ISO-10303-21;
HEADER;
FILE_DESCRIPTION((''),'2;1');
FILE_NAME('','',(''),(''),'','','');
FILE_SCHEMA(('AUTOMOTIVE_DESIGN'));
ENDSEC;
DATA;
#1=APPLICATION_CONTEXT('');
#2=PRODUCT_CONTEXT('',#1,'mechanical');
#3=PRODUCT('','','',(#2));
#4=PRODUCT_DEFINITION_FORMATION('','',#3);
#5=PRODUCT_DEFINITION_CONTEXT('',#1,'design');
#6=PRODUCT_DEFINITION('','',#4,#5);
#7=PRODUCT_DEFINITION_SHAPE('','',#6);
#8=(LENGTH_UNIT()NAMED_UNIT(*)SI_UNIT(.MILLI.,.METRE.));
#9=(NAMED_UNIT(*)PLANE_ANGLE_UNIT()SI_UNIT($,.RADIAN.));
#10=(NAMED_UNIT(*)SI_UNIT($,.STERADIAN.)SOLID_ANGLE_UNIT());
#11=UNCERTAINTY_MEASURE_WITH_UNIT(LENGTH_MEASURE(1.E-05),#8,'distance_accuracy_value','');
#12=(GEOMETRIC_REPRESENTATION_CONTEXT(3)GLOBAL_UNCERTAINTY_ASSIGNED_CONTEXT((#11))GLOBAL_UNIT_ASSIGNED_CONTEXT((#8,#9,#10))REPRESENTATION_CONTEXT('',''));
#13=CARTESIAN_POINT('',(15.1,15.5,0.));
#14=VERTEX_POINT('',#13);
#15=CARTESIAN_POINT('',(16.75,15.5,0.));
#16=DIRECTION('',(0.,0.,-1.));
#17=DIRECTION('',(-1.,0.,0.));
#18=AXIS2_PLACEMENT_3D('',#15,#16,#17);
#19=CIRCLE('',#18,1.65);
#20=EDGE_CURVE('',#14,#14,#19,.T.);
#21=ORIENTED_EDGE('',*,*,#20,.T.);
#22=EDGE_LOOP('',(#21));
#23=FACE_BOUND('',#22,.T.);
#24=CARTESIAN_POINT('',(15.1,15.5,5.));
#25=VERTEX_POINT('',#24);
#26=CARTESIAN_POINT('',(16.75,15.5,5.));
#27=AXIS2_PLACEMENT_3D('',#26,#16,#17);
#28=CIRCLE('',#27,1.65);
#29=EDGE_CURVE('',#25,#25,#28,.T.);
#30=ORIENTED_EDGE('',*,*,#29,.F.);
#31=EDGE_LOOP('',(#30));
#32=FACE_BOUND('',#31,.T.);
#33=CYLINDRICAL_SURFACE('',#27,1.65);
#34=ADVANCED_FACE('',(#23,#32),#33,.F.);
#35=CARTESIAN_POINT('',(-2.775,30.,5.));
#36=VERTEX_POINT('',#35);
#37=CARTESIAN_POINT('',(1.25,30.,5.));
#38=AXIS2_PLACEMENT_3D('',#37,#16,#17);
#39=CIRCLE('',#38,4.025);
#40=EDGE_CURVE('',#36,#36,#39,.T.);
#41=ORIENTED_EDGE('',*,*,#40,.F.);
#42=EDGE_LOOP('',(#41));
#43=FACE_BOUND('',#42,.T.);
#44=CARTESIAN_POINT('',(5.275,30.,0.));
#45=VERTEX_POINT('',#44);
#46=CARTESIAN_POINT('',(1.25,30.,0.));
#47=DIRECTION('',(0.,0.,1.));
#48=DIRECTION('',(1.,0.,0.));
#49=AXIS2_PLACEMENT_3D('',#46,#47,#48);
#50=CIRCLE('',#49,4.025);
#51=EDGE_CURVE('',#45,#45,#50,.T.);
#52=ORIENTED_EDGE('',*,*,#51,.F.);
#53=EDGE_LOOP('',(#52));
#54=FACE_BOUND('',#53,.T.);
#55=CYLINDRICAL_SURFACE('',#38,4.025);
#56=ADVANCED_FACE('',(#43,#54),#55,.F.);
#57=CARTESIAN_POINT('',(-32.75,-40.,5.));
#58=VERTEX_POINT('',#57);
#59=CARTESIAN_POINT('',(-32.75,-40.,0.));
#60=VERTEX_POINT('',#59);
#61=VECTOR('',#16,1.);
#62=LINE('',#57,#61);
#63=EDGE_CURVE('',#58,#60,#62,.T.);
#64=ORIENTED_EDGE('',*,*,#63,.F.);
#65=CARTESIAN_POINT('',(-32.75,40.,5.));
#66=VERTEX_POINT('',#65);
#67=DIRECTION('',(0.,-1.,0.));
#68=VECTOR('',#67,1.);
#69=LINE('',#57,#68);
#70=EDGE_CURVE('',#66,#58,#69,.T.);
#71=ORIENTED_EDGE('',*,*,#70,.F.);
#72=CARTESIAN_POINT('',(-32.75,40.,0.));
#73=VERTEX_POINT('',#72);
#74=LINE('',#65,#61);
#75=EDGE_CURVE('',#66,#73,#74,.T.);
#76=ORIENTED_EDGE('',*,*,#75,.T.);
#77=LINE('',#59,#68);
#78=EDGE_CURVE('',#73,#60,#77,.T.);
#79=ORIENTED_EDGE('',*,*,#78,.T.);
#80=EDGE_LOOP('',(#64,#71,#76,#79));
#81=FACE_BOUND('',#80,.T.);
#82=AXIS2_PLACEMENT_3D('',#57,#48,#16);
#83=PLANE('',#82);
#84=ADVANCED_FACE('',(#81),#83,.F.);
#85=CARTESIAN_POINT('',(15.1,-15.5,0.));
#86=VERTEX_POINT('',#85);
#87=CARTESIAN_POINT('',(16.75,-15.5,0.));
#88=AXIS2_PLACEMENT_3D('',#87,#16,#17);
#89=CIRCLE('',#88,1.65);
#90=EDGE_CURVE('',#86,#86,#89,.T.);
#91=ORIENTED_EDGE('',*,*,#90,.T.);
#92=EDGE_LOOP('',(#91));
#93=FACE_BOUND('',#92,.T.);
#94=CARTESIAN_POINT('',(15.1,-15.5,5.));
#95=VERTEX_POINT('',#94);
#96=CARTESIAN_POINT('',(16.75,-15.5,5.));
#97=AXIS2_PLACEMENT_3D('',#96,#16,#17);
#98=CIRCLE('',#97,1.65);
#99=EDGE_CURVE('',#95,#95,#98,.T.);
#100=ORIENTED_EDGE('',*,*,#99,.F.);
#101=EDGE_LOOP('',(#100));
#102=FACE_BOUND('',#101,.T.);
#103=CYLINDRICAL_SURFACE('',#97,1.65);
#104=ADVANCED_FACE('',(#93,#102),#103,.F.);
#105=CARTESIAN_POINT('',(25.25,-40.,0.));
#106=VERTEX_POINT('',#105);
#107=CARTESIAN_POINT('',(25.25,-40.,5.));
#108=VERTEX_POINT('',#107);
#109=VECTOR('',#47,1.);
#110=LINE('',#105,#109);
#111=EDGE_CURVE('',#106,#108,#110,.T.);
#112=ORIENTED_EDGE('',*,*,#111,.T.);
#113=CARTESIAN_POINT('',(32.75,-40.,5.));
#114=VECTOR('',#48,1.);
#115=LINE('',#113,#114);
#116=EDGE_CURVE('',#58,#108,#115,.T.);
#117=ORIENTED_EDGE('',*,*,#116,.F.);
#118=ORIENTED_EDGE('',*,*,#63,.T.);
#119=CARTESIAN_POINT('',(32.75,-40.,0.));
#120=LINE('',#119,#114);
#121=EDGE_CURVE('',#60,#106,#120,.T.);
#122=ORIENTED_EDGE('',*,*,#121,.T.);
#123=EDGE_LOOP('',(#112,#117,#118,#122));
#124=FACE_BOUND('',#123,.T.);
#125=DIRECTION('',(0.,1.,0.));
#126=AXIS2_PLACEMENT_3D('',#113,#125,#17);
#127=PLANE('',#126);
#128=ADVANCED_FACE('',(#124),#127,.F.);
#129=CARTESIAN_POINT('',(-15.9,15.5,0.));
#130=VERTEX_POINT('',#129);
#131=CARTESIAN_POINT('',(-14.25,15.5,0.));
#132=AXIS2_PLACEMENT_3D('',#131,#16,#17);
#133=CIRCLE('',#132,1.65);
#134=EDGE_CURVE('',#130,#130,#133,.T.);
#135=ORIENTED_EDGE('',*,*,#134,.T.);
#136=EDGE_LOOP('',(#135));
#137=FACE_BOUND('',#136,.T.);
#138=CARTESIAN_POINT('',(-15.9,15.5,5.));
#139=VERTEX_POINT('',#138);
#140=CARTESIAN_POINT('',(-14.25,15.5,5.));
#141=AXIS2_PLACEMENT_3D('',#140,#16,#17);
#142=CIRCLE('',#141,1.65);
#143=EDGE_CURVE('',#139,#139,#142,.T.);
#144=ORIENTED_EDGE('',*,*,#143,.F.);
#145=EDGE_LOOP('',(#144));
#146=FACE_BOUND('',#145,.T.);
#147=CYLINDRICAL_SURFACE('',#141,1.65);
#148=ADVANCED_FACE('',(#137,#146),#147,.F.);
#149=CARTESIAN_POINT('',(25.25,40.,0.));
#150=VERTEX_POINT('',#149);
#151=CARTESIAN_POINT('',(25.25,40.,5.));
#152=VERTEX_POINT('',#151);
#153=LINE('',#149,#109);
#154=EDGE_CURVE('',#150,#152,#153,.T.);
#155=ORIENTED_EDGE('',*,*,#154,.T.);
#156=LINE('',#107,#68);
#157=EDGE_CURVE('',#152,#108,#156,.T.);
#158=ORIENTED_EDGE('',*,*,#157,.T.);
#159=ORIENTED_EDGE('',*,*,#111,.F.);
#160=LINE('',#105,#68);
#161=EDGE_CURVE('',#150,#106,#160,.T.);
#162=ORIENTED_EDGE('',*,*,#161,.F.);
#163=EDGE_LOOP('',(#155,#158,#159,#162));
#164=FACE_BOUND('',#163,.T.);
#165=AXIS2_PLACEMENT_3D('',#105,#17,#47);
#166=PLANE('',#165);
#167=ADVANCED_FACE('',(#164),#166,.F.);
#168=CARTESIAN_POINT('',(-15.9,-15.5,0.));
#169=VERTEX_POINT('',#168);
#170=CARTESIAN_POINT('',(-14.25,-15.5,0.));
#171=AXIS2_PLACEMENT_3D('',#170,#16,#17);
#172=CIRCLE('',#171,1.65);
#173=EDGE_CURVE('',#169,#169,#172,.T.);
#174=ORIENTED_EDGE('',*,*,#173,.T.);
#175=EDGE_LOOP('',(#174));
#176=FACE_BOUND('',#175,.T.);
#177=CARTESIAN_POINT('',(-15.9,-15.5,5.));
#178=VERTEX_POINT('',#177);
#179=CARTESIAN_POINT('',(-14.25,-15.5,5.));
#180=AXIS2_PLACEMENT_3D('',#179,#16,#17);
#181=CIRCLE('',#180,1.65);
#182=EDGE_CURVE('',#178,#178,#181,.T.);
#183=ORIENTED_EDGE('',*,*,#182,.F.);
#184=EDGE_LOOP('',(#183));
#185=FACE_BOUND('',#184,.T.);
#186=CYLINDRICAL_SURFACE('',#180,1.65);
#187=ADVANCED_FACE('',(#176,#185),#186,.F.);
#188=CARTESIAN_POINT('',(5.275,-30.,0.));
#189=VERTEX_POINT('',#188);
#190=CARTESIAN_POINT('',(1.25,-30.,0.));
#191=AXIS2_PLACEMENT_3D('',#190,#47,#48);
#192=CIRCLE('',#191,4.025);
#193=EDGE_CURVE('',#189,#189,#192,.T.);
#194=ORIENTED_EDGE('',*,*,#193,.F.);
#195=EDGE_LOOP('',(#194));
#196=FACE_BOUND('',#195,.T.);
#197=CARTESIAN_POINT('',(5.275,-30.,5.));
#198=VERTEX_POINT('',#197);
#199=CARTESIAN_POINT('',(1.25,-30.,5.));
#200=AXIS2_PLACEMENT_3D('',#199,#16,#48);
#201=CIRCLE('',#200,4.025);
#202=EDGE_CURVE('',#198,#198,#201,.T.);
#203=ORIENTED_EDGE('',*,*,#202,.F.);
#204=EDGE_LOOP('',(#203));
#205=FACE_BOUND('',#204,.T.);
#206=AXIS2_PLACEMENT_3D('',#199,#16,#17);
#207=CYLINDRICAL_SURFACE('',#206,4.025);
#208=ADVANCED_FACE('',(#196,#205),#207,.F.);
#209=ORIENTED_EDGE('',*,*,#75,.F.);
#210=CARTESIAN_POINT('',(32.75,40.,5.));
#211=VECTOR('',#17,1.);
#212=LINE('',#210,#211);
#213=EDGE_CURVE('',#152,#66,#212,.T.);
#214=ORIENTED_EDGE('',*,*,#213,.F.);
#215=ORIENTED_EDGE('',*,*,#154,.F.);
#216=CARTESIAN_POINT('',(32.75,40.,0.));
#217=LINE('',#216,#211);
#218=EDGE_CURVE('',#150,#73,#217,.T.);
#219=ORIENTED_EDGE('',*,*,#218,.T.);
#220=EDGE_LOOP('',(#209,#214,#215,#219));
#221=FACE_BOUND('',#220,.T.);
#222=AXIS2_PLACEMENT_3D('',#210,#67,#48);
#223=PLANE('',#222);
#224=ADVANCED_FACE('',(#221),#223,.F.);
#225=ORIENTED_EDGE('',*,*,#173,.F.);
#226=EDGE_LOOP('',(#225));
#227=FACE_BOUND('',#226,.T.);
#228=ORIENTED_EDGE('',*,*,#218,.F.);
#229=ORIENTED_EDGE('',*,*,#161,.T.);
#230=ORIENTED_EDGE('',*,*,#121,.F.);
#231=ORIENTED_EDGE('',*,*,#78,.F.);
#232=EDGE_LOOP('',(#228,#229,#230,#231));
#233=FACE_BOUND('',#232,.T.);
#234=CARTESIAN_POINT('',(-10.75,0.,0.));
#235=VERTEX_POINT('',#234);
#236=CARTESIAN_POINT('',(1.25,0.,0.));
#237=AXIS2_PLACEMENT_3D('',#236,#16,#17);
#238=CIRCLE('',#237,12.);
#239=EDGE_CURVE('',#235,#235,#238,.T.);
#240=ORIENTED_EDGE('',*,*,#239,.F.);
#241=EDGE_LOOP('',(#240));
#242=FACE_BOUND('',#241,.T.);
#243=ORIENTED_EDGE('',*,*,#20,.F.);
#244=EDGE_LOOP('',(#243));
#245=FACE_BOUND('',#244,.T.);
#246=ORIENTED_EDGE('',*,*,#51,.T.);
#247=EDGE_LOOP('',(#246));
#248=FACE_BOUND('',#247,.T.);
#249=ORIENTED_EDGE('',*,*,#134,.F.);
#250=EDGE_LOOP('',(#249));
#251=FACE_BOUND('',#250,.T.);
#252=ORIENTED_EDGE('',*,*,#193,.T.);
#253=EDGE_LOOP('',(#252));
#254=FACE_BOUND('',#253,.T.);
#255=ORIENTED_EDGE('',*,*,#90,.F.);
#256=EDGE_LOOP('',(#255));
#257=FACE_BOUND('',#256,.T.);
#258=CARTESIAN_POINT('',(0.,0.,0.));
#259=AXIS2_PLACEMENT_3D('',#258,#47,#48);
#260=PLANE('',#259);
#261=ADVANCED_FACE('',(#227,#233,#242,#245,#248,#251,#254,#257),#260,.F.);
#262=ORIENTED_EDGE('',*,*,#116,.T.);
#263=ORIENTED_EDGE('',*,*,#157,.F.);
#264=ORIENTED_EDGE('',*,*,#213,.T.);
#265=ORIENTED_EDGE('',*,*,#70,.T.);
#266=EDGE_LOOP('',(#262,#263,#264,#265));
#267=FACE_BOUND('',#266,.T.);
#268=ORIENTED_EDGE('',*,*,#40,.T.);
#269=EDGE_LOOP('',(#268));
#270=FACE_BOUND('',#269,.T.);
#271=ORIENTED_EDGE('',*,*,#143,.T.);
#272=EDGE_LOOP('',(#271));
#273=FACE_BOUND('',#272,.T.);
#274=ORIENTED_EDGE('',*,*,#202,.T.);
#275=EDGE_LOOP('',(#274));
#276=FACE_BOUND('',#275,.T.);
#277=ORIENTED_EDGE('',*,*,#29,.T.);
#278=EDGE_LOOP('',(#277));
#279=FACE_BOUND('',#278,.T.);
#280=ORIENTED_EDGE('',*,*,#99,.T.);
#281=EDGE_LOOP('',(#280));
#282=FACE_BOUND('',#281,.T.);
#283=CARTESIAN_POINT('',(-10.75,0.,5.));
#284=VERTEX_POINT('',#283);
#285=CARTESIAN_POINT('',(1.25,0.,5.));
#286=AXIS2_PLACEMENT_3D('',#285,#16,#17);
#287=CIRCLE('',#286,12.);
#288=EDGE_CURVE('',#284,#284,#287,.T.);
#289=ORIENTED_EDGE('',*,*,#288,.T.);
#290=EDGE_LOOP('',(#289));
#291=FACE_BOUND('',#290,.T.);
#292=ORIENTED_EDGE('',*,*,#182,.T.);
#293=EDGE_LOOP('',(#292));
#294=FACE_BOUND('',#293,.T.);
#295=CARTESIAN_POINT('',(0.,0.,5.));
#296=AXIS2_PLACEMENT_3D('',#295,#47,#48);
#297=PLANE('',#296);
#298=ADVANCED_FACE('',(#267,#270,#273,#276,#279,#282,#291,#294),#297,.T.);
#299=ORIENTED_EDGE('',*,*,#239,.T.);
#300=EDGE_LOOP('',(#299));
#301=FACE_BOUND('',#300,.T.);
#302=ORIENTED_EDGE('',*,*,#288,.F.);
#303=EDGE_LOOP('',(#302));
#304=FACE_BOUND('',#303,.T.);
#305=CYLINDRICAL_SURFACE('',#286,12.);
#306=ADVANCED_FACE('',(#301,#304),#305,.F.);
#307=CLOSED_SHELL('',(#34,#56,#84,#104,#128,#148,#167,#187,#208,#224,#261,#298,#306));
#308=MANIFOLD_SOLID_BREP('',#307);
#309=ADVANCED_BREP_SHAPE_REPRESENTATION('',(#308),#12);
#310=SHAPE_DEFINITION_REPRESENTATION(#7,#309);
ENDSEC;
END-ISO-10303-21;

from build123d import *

# Parameters (mm, degrees)
SKETCH1_W               = 65.5
SKETCH1_H               = 80
BOSS_EXTRUDE1_DEPTH     = 5
SKETCH2_W               = 7.499999691
SKETCH2_H               = 80
CUT_EXTRUDE1_DEPTH      = 52.938064076
SKETCH3_R               = 12
SKETCH3_R_2             = 1.65
CUT_EXTRUDE2_DEPTH      = 52.938064076
CUT_EXTRUDE3_DEPTH      = 52.938064076
CUT_EXTRUDE3_DEPTH_BACK = 52.938064076
SKETCH4_R               = 4.025


with BuildPart() as part:
    # Sketch1 → Boss-Extrude1 (new body)
    with BuildSketch(Plane.XY):
        Rectangle(SKETCH1_W, SKETCH1_H)
    extrude(amount=BOSS_EXTRUDE1_DEPTH)

    # Sketch2 → Cut-Extrude1 (cut, through all)
    with BuildSketch(Plane.XY.offset(5)):
        with Locations((29.000000155, 0)):
            Rectangle(SKETCH2_W, SKETCH2_H)
    extrude(amount=-CUT_EXTRUDE1_DEPTH, mode=Mode.SUBTRACT)

    # Sketch3 → Cut-Extrude2 (cut, through all)
    with BuildSketch(Plane(origin=(0, 0, 0), x_dir=(-1, 0, 0), z_dir=(0, 0, -1))):
        with Locations((-1.25, 0)):
            Circle(SKETCH3_R)
        with Locations((-16.75, 15.5)):
            Circle(SKETCH3_R_2)
        with Locations((14.25, 15.5)):
            Circle(SKETCH3_R_2)
        with Locations((14.25, -15.5)):
            Circle(SKETCH3_R_2)
        with Locations((-16.75, -15.5)):
            Circle(SKETCH3_R_2)
    extrude(amount=-CUT_EXTRUDE2_DEPTH, mode=Mode.SUBTRACT)

    # Sketch4 → Cut-Extrude3 (cut, two sides: drawn at the far end of the back side and taken through both)
    with BuildSketch(Plane(origin=(0, 0, 0), x_dir=(-1, 0, 0), z_dir=(0, 0, -1)).offset(-CUT_EXTRUDE3_DEPTH_BACK)):
        with Locations((-1.25, 30)):
            Circle(SKETCH4_R)
        with Locations(Location((-1.25, -30, 0), (0, 0, 180))):
            Circle(SKETCH4_R)
    extrude(amount=CUT_EXTRUDE3_DEPTH + CUT_EXTRUDE3_DEPTH_BACK, mode=Mode.SUBTRACT)


solid = part.part
